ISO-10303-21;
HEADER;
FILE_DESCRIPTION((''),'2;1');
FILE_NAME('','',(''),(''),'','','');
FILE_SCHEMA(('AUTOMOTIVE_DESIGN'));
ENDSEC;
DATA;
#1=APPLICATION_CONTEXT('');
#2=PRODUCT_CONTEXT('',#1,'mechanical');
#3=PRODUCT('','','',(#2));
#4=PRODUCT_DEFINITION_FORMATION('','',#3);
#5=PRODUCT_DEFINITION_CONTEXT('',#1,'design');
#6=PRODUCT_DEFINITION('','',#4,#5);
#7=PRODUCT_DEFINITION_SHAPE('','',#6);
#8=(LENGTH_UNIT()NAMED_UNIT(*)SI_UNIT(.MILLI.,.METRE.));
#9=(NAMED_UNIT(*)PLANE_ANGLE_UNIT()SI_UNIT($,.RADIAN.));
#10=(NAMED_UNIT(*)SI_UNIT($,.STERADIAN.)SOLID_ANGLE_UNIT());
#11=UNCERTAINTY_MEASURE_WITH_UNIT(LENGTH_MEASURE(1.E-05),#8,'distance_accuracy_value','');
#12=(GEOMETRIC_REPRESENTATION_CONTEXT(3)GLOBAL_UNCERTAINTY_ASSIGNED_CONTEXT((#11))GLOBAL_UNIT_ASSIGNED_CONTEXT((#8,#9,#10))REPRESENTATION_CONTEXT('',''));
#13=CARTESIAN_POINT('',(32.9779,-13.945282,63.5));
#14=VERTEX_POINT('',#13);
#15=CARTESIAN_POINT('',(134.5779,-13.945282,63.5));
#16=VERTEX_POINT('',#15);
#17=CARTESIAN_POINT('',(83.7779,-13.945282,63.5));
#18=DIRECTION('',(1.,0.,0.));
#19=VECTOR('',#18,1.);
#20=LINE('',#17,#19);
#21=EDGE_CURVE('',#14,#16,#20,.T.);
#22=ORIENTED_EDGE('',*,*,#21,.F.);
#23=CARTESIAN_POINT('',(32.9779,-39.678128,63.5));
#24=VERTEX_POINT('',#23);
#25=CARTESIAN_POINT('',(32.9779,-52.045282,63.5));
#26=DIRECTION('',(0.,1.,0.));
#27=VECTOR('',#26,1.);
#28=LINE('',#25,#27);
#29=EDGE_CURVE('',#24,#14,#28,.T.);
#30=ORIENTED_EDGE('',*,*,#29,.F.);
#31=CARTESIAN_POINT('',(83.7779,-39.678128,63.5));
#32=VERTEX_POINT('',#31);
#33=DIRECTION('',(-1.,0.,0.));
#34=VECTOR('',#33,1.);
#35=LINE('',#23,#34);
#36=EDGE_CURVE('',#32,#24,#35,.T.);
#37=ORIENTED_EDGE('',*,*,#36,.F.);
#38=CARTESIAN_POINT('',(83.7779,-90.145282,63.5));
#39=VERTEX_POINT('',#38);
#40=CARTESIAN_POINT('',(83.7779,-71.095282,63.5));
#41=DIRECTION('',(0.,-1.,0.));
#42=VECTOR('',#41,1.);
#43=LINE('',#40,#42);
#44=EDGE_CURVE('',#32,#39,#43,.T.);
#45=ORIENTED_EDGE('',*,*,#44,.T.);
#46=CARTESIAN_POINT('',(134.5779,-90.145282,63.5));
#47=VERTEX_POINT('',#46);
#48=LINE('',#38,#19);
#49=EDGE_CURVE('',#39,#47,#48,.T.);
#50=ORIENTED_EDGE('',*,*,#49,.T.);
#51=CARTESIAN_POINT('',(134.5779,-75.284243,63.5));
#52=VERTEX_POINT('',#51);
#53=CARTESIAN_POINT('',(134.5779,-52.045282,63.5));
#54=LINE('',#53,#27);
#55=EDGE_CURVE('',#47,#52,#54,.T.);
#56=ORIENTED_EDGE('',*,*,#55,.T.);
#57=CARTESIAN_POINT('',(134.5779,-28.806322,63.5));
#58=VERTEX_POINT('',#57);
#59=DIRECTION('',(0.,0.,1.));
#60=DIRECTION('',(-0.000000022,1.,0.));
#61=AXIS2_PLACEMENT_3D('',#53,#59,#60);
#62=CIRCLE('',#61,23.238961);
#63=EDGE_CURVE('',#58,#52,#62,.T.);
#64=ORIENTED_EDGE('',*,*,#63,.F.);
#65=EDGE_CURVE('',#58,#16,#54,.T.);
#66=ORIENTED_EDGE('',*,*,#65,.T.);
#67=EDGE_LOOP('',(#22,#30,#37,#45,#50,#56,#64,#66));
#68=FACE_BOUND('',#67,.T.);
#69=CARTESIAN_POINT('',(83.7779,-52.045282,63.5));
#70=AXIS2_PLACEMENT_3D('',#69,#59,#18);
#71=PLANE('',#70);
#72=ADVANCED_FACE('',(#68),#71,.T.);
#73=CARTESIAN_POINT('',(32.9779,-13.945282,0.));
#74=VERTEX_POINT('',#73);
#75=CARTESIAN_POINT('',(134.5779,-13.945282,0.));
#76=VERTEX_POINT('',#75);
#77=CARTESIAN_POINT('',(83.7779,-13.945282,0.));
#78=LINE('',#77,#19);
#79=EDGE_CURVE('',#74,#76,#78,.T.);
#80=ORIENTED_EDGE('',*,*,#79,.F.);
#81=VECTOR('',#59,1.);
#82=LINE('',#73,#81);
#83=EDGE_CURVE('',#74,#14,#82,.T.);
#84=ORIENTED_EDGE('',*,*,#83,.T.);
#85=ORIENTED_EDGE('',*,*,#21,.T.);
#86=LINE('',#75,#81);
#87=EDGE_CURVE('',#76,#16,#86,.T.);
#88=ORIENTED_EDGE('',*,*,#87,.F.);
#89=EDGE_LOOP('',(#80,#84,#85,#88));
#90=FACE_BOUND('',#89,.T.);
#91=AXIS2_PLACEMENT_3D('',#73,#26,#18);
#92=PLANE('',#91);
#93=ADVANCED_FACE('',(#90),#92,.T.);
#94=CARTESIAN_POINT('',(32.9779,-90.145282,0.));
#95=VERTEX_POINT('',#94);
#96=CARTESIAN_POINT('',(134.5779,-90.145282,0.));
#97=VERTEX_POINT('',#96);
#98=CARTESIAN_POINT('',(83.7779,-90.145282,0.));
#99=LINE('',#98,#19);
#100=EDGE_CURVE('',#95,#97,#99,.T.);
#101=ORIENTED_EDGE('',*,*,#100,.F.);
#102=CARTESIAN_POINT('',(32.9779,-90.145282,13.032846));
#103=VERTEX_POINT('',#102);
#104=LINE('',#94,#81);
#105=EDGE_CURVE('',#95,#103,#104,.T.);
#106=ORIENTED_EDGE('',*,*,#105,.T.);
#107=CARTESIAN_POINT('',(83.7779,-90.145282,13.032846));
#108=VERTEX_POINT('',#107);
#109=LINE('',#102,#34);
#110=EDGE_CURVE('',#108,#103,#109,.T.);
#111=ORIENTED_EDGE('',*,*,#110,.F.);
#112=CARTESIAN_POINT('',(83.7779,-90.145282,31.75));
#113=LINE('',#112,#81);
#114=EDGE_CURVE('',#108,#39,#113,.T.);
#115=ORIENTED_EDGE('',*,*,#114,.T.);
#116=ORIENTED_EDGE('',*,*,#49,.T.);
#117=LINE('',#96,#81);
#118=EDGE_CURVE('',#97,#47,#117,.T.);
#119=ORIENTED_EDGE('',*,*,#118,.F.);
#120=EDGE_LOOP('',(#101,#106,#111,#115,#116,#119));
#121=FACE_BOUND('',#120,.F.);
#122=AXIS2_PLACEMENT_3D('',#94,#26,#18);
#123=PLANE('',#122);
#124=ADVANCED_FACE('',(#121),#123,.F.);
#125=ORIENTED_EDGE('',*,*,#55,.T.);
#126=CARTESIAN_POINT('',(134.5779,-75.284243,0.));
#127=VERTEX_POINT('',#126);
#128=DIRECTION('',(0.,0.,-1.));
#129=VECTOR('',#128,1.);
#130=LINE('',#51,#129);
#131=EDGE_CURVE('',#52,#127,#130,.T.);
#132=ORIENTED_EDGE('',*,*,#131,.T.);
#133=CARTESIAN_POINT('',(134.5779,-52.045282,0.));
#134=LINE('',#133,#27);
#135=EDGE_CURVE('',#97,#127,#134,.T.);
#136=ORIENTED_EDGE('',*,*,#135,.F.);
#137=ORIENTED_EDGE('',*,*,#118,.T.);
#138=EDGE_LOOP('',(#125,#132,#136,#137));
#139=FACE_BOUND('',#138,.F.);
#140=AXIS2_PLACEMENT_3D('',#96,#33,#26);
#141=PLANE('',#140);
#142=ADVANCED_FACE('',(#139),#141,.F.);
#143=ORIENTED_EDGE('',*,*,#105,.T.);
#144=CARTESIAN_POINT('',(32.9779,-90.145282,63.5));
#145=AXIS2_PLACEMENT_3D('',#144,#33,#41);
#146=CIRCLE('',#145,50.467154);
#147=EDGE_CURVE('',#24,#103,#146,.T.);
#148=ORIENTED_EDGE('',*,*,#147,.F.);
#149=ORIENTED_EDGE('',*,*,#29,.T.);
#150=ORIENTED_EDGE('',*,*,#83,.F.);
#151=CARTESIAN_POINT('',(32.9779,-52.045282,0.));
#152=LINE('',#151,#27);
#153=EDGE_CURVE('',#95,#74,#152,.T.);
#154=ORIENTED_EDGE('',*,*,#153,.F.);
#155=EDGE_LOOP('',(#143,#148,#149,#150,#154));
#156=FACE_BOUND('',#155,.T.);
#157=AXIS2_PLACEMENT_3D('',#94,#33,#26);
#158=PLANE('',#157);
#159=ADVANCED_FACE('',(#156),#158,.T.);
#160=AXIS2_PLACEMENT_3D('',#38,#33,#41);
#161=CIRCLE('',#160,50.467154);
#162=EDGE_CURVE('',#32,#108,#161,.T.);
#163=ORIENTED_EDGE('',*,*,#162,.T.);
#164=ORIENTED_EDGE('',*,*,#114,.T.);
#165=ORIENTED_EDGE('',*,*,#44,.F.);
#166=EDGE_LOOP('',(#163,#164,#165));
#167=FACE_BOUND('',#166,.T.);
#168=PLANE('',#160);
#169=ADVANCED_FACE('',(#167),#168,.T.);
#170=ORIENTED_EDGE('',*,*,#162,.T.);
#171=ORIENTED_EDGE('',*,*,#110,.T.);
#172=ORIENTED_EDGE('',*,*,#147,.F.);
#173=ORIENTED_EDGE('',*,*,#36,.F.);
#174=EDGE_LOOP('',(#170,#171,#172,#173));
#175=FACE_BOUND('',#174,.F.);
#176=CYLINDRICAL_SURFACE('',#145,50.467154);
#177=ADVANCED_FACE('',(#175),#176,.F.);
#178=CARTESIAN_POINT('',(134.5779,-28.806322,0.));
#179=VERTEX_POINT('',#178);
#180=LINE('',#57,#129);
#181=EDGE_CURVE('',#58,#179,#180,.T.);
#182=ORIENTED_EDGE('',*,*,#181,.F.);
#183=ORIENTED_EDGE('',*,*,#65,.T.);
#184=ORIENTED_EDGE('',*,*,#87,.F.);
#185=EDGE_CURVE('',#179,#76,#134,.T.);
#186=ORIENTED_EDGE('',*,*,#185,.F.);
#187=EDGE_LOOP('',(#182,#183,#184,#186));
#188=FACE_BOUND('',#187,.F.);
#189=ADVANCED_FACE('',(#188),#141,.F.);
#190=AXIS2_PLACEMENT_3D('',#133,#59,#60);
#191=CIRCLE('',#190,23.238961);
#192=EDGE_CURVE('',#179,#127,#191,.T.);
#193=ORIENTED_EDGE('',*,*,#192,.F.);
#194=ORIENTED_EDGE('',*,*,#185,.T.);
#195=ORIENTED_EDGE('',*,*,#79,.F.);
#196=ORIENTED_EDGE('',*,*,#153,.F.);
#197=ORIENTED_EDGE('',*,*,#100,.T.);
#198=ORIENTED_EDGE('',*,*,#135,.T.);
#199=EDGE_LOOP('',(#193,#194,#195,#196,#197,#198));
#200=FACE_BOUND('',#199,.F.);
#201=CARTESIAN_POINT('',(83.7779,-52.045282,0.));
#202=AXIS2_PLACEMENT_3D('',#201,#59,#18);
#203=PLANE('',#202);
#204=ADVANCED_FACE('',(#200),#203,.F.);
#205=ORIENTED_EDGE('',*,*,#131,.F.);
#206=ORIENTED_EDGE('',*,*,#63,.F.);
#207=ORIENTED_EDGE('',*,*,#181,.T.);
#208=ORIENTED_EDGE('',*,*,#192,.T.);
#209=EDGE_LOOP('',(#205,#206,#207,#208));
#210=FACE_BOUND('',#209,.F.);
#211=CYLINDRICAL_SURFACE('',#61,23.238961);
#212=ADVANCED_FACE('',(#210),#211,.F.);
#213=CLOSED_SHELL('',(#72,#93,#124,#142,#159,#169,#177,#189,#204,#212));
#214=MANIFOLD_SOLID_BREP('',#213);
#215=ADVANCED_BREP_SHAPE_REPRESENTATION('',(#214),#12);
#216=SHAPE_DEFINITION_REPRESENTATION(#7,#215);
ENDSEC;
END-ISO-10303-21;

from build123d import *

# Parameters (mm, degrees)
F0_W     = 101.6
F0_H     = 76.2
F1_DEPTH = 63.5
F3_DEPTH = 71.628
F4_R     = 50.467154
F5_DEPTH = 50.8


with BuildPart() as f1:
    # F0 (on Top) → F1 (new body)
    with BuildSketch(Plane.XY):
        with Locations((83.7779, -52.045282)):
            Rectangle(F0_W, F0_H)
    extrude(amount=F1_DEPTH)

    # F2 (on face) → F3 (cut)
    with BuildSketch(Plane.XY.offset(63.5)):
        with BuildLine():
            ThreePointArc((134.5779, -75.284243), (151.010327, -68.477709), (157.81686, -52.045282))
            ThreePointArc((157.81686, -52.045282), (151.010327, -35.612856), (134.5779, -28.806322))
            Line((134.5779, -28.806322), (134.5779, -75.284243))
        make_face()
        with BuildLine():
            Line((134.5779, -75.284243), (134.5779, -28.806322))
            ThreePointArc((134.5779, -28.806322), (111.33894, -52.045282), (134.5779, -75.284243))
        make_face()
    extrude(amount=-F3_DEPTH, mode=Mode.SUBTRACT)

    # F4 (on face) → F5 (cut)
    with BuildSketch(Plane(origin=(32.9779, 0, 0), x_dir=(0, -1, 0), z_dir=(-1, 0, 0))):
        with Locations((90.145282, 63.5)):
            Circle(F4_R)
    extrude(amount=-F5_DEPTH, mode=Mode.SUBTRACT)


solid = f1.part
